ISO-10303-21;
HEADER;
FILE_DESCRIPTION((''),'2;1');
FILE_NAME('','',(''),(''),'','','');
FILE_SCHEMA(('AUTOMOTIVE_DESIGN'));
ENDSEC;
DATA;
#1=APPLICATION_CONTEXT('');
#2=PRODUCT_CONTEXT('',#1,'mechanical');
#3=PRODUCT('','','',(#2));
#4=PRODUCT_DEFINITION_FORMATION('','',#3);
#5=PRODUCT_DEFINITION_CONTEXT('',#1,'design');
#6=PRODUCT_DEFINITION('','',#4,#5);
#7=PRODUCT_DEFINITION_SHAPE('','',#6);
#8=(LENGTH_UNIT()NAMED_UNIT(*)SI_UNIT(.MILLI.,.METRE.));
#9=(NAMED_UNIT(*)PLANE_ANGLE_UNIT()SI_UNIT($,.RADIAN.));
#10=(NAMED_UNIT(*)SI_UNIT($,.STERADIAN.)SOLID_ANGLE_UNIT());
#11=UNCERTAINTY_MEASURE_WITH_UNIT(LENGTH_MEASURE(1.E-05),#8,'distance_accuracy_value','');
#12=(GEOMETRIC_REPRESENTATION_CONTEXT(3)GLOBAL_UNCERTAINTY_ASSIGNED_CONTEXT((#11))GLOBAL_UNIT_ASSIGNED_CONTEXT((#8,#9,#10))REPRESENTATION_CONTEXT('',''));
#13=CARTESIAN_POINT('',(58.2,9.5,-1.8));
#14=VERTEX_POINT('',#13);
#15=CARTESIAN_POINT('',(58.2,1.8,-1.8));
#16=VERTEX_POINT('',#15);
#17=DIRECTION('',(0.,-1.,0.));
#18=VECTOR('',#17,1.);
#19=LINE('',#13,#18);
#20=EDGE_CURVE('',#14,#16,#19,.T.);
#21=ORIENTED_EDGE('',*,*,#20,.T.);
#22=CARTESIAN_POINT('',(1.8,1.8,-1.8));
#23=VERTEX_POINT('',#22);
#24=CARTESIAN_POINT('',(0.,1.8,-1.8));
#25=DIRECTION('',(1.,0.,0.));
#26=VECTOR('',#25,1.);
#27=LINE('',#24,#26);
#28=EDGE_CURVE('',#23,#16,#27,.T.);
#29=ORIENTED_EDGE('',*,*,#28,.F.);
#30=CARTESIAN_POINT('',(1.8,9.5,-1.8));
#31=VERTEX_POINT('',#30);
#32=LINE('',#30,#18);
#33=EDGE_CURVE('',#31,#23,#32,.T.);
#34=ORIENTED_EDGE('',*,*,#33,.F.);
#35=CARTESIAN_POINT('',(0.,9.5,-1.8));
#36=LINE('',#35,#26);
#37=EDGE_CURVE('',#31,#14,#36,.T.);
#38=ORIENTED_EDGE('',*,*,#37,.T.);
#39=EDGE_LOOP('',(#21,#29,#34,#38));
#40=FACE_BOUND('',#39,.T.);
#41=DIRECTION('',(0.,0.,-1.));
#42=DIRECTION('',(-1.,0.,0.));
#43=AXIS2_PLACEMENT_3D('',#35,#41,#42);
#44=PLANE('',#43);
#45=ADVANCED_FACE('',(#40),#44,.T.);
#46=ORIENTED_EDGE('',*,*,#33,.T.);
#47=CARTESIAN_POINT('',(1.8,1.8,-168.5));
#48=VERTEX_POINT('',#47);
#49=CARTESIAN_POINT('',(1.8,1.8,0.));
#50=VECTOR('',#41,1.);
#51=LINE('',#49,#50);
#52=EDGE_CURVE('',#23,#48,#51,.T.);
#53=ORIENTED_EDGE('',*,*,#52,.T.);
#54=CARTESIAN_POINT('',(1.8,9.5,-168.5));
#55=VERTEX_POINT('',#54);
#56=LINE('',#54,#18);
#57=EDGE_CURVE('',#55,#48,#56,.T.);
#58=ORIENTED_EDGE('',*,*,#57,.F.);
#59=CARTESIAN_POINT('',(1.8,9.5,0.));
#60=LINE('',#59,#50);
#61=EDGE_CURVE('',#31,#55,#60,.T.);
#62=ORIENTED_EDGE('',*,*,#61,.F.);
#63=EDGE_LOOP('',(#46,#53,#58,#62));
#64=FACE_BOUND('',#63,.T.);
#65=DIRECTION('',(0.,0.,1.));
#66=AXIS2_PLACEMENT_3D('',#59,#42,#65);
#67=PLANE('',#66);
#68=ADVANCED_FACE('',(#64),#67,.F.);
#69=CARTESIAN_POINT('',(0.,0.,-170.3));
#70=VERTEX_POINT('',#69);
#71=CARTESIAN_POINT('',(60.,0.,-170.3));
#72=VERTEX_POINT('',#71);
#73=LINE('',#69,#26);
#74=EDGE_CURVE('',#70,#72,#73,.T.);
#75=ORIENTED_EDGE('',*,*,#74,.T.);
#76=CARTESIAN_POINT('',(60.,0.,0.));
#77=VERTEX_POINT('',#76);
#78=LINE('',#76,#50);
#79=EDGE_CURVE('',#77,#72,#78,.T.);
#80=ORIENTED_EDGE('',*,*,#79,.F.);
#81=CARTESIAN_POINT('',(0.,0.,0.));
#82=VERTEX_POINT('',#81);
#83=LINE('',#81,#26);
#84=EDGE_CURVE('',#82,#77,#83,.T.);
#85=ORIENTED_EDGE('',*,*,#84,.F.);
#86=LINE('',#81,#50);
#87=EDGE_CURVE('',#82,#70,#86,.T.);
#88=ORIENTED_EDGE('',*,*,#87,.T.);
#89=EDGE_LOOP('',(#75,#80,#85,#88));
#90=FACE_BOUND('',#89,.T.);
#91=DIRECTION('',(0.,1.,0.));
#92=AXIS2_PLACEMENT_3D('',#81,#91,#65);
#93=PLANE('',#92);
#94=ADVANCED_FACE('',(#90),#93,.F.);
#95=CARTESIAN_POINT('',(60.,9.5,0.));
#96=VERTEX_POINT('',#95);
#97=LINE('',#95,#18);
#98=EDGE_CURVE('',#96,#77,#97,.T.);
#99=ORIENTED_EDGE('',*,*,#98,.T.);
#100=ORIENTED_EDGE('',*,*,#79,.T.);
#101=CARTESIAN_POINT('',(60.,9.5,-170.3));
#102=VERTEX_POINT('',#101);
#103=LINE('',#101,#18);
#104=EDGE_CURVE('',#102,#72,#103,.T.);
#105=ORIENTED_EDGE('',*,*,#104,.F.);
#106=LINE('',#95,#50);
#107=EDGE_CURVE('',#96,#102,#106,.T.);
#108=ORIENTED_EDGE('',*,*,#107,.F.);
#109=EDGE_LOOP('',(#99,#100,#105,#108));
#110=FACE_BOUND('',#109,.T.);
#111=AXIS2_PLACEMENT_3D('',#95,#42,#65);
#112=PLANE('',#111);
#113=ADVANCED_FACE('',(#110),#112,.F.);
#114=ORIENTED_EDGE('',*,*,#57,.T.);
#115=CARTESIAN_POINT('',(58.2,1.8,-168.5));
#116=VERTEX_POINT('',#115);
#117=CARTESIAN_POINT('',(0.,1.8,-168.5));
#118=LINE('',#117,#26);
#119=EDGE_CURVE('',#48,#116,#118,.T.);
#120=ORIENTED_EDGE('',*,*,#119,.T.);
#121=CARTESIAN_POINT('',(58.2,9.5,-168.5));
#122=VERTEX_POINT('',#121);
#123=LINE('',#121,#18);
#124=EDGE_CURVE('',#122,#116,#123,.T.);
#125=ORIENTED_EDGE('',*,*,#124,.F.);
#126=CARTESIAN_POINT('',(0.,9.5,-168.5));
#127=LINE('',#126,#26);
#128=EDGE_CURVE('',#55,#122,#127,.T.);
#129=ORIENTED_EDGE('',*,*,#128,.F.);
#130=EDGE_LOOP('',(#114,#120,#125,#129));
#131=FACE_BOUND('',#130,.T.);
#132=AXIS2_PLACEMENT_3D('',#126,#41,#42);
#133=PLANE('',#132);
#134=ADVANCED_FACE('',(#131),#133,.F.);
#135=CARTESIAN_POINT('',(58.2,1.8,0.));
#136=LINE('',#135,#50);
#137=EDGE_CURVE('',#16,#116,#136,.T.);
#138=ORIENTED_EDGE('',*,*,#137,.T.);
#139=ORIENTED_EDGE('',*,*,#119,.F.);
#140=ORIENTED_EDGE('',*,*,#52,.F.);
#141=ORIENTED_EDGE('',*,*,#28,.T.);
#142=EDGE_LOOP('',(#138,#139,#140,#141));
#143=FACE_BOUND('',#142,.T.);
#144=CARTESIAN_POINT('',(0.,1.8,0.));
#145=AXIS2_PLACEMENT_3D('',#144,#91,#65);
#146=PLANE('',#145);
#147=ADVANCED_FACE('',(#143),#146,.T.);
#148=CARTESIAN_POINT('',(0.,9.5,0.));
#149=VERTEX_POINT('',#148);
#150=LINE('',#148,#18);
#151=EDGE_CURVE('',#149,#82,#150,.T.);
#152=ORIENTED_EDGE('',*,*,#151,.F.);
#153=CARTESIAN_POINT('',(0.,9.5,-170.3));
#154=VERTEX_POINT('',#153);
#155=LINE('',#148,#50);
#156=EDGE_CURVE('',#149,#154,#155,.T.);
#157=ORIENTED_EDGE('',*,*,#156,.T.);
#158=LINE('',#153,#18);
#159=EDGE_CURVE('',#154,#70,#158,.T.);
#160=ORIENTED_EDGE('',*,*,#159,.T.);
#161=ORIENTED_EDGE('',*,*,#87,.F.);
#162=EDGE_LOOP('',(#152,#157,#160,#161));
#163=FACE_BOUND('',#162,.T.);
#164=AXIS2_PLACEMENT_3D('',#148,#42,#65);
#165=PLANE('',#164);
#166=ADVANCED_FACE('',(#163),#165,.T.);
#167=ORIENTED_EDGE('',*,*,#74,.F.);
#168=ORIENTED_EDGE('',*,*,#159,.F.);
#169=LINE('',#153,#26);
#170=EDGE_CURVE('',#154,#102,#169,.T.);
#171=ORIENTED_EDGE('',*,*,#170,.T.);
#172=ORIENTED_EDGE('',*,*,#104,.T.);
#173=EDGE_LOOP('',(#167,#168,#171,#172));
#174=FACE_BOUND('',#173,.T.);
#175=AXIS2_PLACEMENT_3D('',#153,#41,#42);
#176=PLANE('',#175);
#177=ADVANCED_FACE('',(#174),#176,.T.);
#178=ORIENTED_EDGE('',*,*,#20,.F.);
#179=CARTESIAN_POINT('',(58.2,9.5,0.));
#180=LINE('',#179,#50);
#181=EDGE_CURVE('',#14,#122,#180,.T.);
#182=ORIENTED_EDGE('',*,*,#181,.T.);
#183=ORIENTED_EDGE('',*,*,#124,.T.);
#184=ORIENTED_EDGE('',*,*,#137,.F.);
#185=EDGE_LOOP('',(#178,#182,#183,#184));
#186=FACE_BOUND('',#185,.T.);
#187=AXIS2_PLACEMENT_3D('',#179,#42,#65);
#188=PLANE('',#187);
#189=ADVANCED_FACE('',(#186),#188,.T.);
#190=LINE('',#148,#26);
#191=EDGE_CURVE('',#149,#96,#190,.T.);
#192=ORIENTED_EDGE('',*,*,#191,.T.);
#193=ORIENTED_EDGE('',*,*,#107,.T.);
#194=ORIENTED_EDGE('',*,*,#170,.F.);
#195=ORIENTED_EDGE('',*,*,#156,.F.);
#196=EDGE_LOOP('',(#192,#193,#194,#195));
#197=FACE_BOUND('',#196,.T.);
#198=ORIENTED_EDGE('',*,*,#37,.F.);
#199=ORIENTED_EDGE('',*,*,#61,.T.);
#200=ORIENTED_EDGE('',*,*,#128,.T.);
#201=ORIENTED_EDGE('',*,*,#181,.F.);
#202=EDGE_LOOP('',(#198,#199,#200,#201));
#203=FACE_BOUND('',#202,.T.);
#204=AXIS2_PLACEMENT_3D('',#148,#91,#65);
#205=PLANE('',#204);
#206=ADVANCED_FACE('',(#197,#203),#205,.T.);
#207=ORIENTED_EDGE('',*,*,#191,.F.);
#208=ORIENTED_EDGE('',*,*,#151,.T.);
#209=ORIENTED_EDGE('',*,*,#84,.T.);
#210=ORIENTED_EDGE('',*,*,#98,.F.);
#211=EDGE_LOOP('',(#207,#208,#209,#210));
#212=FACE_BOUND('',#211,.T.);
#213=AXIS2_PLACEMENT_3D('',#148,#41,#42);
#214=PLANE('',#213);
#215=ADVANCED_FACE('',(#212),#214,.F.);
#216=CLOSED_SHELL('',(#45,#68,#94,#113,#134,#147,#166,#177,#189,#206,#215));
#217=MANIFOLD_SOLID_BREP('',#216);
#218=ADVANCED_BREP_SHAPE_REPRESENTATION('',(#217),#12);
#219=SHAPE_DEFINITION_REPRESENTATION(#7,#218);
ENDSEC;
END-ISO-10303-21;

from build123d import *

# Parameters (mm, degrees)
SKETCH1_W           = 60
SKETCH1_H           = 170.3
BOSS_EXTRUDE4_DEPTH = 9.5
SHELL1_T            = -1.8


with BuildPart() as part:
    # Sketch1 → Boss-Extrude4 (new body)
    with BuildSketch(Plane(origin=(0, 0, 0), x_dir=(1, 0, 0), z_dir=(0, 1, 0))):
        with Locations((30, 85.15)):
            Rectangle(SKETCH1_W, SKETCH1_H)
    extrude(amount=BOSS_EXTRUDE4_DEPTH)

    # Shell1
    shell1_openings = [part.faces().sort_by_distance(p)[0] for p in [
        (30, 9.5, -85.15),
    ]]
    offset(amount=SHELL1_T, openings=shell1_openings, kind=Kind.INTERSECTION)


solid = part.part
